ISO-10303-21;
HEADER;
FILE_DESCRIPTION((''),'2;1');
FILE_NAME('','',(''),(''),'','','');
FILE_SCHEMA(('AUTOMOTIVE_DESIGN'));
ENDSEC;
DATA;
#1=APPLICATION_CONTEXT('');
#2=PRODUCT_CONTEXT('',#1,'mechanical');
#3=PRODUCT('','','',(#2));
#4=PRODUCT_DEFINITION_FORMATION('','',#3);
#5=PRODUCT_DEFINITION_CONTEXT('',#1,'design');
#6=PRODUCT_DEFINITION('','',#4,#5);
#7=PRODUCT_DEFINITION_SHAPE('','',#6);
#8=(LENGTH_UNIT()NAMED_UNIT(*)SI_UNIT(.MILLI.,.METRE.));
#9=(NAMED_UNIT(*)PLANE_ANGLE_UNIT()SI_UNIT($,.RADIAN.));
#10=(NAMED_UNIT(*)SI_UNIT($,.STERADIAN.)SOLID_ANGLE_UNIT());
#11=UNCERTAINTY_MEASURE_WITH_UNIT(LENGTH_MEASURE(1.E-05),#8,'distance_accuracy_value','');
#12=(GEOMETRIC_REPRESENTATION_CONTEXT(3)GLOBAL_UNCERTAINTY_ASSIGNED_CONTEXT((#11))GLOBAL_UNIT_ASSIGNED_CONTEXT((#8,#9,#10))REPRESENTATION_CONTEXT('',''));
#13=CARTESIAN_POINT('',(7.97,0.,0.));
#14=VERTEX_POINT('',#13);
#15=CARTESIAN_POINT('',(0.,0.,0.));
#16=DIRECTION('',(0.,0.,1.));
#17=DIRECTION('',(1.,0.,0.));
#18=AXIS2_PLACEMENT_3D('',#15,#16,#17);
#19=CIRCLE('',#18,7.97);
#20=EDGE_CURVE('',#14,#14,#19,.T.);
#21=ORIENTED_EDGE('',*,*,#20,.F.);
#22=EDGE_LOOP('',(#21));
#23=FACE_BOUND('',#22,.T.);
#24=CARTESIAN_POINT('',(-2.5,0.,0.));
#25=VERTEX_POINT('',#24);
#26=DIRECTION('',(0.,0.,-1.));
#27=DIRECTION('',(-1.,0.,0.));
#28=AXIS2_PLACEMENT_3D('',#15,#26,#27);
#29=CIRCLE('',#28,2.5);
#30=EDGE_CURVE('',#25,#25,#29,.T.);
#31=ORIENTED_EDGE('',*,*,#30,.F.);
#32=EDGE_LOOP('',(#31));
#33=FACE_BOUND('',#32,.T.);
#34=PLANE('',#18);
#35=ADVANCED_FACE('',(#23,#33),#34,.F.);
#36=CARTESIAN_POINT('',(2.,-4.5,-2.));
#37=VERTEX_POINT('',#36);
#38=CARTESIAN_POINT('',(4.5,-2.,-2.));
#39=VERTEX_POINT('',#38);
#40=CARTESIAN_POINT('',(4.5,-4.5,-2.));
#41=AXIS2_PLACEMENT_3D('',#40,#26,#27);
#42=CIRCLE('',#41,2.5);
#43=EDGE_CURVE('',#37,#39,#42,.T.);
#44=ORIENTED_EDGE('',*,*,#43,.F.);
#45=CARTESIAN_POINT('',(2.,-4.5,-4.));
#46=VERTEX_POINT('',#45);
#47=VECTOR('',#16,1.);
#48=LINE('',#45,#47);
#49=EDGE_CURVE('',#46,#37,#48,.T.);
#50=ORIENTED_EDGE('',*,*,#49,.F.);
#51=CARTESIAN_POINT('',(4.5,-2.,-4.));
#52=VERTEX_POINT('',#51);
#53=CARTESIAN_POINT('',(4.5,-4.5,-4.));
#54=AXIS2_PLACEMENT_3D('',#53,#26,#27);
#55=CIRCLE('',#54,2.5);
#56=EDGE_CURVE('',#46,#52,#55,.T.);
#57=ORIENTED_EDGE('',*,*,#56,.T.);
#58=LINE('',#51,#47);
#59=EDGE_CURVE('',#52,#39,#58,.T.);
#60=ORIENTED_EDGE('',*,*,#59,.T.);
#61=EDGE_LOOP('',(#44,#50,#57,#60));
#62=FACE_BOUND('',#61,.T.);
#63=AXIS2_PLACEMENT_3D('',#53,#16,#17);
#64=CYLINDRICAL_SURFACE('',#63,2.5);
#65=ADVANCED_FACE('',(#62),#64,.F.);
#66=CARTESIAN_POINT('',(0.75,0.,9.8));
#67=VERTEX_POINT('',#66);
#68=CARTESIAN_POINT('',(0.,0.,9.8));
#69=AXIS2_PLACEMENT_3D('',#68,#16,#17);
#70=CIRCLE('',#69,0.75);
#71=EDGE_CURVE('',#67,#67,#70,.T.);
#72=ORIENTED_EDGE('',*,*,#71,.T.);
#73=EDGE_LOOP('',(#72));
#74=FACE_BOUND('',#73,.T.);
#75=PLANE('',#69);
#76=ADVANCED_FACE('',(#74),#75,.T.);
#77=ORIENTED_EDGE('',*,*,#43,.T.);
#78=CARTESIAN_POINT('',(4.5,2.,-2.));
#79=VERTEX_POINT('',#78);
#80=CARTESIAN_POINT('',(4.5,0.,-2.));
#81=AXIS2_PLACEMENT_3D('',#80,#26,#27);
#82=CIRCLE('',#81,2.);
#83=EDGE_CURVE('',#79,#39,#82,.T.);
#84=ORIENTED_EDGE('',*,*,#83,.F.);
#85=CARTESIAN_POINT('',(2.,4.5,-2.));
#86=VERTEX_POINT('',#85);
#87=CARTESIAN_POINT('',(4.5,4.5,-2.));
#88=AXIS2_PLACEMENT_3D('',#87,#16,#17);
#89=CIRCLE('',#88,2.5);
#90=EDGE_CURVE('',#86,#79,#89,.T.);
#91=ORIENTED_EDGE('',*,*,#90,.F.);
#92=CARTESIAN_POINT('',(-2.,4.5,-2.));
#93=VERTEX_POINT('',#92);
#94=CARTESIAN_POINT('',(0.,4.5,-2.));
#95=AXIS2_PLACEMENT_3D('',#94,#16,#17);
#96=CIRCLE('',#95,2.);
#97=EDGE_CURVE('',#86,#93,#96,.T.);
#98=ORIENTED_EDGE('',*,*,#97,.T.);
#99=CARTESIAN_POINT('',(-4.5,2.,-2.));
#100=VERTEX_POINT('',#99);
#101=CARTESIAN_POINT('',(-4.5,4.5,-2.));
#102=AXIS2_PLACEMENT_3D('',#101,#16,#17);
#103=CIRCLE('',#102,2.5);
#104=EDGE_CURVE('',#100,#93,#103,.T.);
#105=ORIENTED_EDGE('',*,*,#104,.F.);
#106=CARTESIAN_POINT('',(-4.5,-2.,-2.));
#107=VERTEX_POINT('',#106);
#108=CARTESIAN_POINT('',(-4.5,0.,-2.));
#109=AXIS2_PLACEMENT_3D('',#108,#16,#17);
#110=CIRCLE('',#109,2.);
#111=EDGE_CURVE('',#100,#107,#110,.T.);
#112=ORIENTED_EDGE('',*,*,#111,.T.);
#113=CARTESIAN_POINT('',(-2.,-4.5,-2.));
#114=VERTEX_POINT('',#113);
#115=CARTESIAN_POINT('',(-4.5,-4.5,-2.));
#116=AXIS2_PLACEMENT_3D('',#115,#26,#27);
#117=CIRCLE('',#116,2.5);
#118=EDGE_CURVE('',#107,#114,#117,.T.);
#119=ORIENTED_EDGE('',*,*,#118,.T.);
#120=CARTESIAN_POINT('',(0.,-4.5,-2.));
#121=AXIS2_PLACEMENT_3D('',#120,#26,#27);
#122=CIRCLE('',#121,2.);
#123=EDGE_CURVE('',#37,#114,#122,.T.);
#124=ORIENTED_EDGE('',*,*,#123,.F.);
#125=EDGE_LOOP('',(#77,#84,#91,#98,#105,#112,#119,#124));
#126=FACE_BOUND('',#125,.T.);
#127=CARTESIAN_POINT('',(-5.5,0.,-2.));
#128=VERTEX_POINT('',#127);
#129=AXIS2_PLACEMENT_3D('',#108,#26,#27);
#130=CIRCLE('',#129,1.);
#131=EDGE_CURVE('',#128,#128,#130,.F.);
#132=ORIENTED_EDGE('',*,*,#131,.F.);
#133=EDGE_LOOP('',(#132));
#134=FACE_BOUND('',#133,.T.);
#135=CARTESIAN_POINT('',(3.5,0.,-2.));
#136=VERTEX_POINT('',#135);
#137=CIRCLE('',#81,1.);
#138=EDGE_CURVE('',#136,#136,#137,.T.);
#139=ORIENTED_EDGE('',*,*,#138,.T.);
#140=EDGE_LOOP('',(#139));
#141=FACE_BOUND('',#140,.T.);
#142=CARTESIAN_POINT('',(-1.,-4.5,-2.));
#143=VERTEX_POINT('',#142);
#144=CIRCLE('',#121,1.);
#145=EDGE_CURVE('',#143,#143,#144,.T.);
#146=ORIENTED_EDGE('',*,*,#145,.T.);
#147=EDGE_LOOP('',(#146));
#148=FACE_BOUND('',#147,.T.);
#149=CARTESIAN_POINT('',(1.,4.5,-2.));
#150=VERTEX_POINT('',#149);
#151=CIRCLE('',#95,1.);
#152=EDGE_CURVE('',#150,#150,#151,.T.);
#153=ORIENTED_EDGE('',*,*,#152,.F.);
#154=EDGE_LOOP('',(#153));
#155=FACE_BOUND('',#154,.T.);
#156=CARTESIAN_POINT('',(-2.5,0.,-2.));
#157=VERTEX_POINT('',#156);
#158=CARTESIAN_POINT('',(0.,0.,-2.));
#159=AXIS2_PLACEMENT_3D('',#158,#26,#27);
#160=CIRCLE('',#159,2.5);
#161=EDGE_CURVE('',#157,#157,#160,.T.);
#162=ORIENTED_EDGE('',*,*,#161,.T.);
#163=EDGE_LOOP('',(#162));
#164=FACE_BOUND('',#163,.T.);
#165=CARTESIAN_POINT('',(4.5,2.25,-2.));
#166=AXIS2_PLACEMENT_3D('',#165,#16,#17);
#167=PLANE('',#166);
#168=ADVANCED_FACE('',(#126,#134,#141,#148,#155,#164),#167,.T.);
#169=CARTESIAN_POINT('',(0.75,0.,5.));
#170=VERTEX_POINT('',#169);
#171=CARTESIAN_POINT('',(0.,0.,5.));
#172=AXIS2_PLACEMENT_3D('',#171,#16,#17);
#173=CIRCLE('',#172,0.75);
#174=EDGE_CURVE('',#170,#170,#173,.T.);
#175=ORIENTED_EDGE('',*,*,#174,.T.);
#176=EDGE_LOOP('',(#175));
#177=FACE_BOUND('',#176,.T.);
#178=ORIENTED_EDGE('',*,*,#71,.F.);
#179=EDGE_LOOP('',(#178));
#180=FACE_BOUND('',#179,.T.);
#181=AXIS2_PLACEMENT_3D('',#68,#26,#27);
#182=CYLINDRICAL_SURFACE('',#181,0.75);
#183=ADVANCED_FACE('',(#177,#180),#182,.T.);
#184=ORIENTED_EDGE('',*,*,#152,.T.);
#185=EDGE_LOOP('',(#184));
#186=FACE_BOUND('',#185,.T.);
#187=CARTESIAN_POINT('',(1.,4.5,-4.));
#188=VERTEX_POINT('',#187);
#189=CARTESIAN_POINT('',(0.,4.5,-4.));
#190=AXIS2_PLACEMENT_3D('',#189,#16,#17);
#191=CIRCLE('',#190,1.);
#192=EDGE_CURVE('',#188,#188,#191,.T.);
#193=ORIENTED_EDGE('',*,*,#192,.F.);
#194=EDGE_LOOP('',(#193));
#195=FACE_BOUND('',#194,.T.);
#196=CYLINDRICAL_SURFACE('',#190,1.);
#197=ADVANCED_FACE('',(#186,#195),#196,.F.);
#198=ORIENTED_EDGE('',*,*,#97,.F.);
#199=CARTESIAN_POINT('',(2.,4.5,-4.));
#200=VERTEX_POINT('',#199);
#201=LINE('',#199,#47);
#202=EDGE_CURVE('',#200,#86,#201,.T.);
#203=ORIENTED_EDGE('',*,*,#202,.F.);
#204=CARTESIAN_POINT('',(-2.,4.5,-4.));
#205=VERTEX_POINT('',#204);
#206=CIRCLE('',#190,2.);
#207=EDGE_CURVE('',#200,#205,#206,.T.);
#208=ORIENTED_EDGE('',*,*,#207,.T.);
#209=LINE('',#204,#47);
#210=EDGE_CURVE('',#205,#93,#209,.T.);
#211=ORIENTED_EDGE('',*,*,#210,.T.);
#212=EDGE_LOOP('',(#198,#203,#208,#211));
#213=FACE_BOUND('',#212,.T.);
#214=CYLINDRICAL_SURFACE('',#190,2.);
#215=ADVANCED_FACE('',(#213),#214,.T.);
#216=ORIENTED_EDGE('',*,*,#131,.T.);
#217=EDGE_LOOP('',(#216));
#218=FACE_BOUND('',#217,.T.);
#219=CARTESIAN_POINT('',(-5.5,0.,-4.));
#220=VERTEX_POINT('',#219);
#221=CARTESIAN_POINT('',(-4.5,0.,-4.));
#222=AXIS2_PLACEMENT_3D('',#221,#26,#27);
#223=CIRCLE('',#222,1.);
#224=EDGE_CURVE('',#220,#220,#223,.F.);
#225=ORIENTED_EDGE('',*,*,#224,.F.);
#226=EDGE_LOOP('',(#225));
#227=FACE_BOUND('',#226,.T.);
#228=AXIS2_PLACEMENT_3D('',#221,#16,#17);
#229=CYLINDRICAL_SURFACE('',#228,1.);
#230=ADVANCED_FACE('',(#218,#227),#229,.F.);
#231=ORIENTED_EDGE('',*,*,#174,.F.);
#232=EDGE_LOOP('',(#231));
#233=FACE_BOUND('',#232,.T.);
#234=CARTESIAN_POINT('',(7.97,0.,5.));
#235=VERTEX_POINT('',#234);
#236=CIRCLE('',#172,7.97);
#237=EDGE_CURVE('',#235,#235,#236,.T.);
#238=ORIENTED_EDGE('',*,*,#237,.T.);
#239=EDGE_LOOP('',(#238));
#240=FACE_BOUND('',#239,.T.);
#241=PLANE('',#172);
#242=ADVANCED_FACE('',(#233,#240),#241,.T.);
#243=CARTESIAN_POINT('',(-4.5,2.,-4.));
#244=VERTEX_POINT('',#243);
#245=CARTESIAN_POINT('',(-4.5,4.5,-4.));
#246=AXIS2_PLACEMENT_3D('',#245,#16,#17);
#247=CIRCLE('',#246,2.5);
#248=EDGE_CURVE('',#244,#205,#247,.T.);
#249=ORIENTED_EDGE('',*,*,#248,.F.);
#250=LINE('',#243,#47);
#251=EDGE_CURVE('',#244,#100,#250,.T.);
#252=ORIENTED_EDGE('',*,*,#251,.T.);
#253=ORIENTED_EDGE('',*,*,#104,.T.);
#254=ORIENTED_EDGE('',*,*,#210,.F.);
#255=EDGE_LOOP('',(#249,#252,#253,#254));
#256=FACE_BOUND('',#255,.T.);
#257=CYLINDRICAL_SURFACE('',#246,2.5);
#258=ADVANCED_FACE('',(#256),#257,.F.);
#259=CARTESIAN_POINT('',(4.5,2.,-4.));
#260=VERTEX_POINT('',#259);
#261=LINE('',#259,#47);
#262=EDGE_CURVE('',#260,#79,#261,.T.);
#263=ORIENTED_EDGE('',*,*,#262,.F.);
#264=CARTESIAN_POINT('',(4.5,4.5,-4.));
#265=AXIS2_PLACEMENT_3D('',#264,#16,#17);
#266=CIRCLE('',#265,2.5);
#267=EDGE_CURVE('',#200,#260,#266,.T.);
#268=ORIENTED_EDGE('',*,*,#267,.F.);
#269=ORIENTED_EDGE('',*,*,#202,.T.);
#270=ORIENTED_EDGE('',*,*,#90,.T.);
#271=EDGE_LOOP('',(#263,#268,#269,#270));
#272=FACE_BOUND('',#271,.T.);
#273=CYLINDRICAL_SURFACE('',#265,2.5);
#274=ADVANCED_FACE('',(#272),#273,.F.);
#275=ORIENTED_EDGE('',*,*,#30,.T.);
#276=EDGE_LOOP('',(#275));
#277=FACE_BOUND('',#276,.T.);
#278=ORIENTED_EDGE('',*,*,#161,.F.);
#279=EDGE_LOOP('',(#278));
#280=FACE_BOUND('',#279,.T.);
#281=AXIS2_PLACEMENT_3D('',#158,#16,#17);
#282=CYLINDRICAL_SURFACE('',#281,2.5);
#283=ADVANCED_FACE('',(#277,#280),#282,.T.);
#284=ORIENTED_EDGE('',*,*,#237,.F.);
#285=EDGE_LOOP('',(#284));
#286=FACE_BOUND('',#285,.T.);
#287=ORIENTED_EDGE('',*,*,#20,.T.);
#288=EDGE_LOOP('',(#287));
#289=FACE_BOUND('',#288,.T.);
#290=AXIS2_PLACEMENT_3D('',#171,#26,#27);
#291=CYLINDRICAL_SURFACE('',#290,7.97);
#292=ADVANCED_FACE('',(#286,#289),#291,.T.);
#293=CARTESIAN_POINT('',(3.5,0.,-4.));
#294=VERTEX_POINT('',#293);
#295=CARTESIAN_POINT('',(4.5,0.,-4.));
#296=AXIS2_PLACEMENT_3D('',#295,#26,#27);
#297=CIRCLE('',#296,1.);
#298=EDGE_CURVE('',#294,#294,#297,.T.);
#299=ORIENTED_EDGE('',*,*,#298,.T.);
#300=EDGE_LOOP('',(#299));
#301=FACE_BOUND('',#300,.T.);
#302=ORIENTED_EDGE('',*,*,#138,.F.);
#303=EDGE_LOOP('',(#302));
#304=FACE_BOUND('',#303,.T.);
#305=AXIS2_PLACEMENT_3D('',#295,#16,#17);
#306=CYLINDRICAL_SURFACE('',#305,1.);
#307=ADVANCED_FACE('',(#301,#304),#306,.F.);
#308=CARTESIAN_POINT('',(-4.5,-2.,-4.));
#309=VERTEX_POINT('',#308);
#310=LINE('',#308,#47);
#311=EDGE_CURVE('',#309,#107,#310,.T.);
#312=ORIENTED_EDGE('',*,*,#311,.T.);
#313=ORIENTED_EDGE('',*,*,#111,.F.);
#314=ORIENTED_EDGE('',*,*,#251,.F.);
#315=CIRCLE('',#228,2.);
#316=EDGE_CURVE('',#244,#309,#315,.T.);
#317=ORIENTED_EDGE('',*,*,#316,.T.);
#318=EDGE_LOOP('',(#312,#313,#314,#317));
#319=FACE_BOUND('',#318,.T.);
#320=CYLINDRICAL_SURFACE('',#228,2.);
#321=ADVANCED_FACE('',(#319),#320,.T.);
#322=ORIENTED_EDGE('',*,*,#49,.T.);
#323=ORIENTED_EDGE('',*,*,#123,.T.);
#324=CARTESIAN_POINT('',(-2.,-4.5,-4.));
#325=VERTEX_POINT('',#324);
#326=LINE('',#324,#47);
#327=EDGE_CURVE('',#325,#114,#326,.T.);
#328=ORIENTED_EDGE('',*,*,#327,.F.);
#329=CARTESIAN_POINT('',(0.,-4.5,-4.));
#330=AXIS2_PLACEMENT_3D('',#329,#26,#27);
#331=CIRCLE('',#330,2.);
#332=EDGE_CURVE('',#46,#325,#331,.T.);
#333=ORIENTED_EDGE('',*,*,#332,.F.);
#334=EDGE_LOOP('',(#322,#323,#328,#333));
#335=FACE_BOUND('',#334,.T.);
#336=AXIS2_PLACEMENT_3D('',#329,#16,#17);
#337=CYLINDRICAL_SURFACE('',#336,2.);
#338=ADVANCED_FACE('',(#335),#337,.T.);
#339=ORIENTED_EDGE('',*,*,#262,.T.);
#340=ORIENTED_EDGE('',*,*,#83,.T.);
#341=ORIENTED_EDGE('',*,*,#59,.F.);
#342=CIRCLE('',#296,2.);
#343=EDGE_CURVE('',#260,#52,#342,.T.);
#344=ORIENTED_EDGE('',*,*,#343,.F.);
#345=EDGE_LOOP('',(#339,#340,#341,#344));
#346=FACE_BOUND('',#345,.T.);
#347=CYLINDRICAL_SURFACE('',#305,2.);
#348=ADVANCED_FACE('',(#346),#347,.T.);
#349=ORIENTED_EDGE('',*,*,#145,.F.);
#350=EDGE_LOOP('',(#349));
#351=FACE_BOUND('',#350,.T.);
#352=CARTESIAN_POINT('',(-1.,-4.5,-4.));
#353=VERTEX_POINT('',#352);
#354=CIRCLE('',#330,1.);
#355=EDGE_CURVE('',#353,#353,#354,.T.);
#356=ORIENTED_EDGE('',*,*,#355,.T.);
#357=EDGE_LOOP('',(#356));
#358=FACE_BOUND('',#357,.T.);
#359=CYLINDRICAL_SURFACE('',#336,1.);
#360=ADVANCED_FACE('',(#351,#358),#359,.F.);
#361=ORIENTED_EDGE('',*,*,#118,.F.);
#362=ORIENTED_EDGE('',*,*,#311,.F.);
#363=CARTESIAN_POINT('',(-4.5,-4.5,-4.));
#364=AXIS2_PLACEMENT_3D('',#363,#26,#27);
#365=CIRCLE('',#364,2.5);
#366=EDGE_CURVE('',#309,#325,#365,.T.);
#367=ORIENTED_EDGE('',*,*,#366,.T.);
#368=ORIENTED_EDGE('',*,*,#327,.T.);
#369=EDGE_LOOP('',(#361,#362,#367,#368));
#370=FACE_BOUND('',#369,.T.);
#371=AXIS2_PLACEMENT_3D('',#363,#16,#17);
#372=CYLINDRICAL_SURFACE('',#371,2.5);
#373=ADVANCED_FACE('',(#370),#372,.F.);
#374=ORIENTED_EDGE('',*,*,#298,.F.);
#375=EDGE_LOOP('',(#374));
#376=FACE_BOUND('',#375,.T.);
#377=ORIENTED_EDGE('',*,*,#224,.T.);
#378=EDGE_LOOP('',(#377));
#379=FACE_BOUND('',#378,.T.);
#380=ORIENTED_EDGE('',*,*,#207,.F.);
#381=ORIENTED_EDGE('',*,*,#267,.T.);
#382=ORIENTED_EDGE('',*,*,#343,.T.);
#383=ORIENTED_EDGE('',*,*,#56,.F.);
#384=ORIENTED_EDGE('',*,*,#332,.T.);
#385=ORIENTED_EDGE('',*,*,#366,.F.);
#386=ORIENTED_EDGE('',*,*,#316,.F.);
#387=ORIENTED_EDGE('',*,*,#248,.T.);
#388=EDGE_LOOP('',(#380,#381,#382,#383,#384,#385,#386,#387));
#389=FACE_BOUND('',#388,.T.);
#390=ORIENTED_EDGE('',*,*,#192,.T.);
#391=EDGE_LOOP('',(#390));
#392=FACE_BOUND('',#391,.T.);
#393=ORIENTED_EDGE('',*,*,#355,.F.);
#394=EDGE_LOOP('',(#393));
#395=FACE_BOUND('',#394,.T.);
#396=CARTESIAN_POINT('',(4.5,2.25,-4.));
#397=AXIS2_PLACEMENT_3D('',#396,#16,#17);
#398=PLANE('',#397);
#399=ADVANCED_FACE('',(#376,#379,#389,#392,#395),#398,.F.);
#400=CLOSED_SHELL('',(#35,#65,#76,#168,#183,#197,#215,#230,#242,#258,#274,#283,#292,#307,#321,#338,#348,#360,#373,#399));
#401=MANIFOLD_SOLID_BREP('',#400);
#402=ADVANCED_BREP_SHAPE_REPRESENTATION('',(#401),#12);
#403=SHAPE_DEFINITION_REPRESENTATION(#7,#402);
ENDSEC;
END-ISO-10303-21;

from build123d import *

# Parameters (mm, degrees)
SKETCH1_R           = 7.97
MOTOR_DEPTH         = 5
SHAFT_FOR_PROP_R    = 0.75
BOSS_EXTRUDE2_DEPTH = 4.8
SKETCH3_R           = 2.5
BOSS_EXTRUDE3_DEPTH = 2
SKETCH5_R           = 1
BOSS_EXTRUDE4_DEPTH = 2


with BuildPart() as part:
    # Sketch1 → motor (new body)
    with BuildSketch(Plane.XY):
        Circle(SKETCH1_R)
    extrude(amount=MOTOR_DEPTH)

    # shaft for prop → Boss-Extrude2 (add)
    with BuildSketch(Plane.XY.offset(5)):
        Circle(SHAFT_FOR_PROP_R)
    extrude(amount=BOSS_EXTRUDE2_DEPTH)

    # Sketch3 → Boss-Extrude3 (add)
    with BuildSketch(Plane(origin=(0, 0, 0), x_dir=(-1, 0, 0), z_dir=(0, 0, -1))):
        Circle(SKETCH3_R)
    extrude(amount=BOSS_EXTRUDE3_DEPTH)

    # Sketch5 → Boss-Extrude4 (add)
    with BuildSketch(Plane(origin=(0, 0, -2), x_dir=(-1, 0, 0), z_dir=(0, 0, -1))):
        with BuildLine():
            ThreePointArc((-4.5, 2), (-6.5, 0), (-4.5, -2))
            ThreePointArc((-4.5, -2), (-2.732233047, -2.732233047), (-2, -4.5))
            ThreePointArc((-2, -4.5), (0, -6.5), (2, -4.5))
            ThreePointArc((2, -4.5), (2.732233047, -2.732233047), (4.5, -2))
            ThreePointArc((4.5, -2), (6.5, 0), (4.5, 2))
            ThreePointArc((4.5, 2), (2.732233047, 2.732233047), (2, 4.5))
            ThreePointArc((2, 4.5), (0, 6.5), (-2, 4.5))
            ThreePointArc((-2, 4.5), (-2.732233047, 2.732233047), (-4.5, 2))
        make_face()
        with Locations((4.5, 0)):
            Circle(SKETCH5_R, mode=Mode.SUBTRACT)
        with Locations((-4.5, 0)):
            Circle(SKETCH5_R, mode=Mode.SUBTRACT)
        with Locations((0, -4.5)):
            Circle(SKETCH5_R, mode=Mode.SUBTRACT)
        with Locations((0, 4.5)):
            Circle(SKETCH5_R, mode=Mode.SUBTRACT)
    extrude(amount=BOSS_EXTRUDE4_DEPTH)


solid = part.part
